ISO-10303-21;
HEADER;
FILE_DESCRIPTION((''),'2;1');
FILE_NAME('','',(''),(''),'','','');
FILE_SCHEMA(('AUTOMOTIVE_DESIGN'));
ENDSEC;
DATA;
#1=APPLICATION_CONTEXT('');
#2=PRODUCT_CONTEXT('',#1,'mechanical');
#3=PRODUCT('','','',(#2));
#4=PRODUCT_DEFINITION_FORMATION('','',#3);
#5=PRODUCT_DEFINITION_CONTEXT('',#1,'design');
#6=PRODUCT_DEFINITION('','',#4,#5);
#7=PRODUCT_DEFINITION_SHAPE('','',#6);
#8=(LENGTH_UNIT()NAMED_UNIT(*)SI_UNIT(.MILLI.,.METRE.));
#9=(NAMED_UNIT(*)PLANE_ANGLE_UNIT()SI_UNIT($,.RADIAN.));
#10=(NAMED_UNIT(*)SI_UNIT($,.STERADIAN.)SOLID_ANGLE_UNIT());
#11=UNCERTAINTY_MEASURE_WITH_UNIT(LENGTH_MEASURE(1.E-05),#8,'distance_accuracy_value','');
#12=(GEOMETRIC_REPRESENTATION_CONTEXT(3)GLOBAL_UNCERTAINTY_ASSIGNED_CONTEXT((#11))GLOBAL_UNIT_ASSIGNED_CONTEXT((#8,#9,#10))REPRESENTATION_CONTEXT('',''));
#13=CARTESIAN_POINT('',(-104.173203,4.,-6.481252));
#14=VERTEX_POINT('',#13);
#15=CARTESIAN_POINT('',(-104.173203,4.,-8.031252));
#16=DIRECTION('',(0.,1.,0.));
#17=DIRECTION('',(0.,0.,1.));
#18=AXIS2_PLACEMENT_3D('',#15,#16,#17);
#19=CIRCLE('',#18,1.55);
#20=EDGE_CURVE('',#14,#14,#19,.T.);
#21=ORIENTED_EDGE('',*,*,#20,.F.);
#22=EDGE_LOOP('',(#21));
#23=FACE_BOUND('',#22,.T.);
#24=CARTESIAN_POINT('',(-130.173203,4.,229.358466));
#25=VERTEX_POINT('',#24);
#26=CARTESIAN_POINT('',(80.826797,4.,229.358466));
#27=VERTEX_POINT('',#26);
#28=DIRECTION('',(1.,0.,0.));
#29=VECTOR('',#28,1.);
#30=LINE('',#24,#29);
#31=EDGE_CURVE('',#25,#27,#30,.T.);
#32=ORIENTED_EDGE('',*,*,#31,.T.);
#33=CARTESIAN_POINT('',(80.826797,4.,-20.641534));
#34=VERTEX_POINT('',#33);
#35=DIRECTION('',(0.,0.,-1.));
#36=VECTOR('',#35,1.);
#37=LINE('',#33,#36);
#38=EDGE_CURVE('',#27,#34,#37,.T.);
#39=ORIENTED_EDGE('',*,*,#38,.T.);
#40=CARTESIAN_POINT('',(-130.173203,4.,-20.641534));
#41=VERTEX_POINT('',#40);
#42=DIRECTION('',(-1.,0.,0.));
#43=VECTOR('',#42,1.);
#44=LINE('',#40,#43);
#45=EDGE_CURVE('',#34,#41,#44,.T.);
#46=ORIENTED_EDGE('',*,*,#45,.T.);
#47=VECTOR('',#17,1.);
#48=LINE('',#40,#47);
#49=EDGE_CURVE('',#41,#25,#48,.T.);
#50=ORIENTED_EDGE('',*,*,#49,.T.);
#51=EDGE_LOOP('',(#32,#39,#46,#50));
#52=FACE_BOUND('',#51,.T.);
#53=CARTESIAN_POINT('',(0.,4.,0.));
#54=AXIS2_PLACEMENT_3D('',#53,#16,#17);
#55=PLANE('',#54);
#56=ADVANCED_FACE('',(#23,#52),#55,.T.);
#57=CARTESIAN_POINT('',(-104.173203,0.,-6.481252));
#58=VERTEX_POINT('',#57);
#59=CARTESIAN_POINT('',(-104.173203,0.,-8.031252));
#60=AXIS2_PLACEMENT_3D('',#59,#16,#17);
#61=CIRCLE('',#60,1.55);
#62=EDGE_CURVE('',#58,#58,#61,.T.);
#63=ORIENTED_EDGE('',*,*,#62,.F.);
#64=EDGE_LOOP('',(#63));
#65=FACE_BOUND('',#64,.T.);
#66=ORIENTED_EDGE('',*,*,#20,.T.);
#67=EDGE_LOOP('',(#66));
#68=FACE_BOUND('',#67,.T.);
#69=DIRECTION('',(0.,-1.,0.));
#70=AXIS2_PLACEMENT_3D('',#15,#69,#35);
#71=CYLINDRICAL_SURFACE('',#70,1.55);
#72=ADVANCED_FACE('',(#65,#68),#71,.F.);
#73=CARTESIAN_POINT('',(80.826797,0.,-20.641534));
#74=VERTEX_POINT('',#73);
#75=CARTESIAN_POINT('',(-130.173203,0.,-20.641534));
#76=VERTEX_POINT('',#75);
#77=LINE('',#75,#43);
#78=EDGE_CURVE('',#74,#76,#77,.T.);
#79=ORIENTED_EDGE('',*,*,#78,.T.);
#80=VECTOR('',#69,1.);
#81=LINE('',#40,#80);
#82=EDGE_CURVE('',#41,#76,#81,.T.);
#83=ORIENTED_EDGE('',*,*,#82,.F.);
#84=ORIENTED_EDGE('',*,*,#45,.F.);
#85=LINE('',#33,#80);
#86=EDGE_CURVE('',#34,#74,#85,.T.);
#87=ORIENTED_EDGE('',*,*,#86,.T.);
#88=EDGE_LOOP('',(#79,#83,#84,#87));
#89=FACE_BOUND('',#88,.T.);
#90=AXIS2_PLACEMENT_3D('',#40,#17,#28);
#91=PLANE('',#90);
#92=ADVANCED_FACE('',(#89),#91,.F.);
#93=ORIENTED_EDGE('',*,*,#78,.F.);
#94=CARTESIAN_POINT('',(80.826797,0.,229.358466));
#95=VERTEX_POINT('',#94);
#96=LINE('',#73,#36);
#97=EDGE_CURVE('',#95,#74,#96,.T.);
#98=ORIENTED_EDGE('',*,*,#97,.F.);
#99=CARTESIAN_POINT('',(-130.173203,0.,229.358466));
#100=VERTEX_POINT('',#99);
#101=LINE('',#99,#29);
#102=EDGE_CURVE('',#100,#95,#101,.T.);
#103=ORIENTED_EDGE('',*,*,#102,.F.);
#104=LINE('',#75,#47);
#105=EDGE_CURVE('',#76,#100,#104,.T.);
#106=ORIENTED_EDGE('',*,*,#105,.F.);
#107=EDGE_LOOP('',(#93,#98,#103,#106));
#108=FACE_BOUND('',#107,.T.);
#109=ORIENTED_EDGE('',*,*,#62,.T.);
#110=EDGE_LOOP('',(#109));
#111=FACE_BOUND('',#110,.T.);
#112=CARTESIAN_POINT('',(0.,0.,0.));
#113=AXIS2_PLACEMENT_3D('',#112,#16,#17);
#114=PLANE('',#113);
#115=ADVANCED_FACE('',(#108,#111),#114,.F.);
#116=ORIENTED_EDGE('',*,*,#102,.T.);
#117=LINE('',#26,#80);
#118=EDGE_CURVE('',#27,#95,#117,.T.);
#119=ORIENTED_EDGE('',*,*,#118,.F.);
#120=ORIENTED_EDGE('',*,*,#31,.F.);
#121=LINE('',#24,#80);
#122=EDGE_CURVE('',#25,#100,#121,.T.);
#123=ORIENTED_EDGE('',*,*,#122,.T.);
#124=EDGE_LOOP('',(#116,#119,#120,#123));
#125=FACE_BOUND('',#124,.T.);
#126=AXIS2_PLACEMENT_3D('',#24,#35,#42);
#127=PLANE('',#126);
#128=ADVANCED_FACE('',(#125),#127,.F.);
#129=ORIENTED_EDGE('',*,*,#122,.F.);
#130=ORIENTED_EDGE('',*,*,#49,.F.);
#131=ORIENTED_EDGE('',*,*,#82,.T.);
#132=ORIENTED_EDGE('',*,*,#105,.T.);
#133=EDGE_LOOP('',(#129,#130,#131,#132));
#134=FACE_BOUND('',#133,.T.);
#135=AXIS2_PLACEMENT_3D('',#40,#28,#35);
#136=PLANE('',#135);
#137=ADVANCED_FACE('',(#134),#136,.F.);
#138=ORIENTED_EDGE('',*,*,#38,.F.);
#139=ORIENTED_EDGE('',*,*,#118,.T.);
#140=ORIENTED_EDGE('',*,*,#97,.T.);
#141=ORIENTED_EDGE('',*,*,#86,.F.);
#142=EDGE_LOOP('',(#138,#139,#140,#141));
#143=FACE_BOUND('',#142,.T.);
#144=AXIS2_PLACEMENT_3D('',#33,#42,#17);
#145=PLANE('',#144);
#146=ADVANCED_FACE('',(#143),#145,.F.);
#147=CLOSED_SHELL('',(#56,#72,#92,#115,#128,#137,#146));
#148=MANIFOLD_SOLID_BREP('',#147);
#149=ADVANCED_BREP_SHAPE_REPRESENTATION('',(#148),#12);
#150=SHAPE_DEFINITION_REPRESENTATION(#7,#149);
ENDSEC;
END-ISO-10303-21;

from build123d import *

# Parameters (mm, degrees)
SKETCH1_W           = 211
SKETCH1_H           = 250
SKETCH1_R           = 1.55
BOSS_EXTRUDE1_DEPTH = 4


with BuildPart() as part:
    # Sketch1 → Boss-Extrude1 (new body)
    with BuildSketch(Plane(origin=(0, 0, 0), x_dir=(1, 0, 0), z_dir=(0, 1, 0))):
        with Locations((-24.673203143, -104.358465833)):
            Rectangle(SKETCH1_W, SKETCH1_H)
        with Locations(Location((-104.173203143, 8.031251608, 0), (0, 0, 270))):
            Circle(SKETCH1_R, mode=Mode.SUBTRACT)
    extrude(amount=BOSS_EXTRUDE1_DEPTH)


solid = part.part
